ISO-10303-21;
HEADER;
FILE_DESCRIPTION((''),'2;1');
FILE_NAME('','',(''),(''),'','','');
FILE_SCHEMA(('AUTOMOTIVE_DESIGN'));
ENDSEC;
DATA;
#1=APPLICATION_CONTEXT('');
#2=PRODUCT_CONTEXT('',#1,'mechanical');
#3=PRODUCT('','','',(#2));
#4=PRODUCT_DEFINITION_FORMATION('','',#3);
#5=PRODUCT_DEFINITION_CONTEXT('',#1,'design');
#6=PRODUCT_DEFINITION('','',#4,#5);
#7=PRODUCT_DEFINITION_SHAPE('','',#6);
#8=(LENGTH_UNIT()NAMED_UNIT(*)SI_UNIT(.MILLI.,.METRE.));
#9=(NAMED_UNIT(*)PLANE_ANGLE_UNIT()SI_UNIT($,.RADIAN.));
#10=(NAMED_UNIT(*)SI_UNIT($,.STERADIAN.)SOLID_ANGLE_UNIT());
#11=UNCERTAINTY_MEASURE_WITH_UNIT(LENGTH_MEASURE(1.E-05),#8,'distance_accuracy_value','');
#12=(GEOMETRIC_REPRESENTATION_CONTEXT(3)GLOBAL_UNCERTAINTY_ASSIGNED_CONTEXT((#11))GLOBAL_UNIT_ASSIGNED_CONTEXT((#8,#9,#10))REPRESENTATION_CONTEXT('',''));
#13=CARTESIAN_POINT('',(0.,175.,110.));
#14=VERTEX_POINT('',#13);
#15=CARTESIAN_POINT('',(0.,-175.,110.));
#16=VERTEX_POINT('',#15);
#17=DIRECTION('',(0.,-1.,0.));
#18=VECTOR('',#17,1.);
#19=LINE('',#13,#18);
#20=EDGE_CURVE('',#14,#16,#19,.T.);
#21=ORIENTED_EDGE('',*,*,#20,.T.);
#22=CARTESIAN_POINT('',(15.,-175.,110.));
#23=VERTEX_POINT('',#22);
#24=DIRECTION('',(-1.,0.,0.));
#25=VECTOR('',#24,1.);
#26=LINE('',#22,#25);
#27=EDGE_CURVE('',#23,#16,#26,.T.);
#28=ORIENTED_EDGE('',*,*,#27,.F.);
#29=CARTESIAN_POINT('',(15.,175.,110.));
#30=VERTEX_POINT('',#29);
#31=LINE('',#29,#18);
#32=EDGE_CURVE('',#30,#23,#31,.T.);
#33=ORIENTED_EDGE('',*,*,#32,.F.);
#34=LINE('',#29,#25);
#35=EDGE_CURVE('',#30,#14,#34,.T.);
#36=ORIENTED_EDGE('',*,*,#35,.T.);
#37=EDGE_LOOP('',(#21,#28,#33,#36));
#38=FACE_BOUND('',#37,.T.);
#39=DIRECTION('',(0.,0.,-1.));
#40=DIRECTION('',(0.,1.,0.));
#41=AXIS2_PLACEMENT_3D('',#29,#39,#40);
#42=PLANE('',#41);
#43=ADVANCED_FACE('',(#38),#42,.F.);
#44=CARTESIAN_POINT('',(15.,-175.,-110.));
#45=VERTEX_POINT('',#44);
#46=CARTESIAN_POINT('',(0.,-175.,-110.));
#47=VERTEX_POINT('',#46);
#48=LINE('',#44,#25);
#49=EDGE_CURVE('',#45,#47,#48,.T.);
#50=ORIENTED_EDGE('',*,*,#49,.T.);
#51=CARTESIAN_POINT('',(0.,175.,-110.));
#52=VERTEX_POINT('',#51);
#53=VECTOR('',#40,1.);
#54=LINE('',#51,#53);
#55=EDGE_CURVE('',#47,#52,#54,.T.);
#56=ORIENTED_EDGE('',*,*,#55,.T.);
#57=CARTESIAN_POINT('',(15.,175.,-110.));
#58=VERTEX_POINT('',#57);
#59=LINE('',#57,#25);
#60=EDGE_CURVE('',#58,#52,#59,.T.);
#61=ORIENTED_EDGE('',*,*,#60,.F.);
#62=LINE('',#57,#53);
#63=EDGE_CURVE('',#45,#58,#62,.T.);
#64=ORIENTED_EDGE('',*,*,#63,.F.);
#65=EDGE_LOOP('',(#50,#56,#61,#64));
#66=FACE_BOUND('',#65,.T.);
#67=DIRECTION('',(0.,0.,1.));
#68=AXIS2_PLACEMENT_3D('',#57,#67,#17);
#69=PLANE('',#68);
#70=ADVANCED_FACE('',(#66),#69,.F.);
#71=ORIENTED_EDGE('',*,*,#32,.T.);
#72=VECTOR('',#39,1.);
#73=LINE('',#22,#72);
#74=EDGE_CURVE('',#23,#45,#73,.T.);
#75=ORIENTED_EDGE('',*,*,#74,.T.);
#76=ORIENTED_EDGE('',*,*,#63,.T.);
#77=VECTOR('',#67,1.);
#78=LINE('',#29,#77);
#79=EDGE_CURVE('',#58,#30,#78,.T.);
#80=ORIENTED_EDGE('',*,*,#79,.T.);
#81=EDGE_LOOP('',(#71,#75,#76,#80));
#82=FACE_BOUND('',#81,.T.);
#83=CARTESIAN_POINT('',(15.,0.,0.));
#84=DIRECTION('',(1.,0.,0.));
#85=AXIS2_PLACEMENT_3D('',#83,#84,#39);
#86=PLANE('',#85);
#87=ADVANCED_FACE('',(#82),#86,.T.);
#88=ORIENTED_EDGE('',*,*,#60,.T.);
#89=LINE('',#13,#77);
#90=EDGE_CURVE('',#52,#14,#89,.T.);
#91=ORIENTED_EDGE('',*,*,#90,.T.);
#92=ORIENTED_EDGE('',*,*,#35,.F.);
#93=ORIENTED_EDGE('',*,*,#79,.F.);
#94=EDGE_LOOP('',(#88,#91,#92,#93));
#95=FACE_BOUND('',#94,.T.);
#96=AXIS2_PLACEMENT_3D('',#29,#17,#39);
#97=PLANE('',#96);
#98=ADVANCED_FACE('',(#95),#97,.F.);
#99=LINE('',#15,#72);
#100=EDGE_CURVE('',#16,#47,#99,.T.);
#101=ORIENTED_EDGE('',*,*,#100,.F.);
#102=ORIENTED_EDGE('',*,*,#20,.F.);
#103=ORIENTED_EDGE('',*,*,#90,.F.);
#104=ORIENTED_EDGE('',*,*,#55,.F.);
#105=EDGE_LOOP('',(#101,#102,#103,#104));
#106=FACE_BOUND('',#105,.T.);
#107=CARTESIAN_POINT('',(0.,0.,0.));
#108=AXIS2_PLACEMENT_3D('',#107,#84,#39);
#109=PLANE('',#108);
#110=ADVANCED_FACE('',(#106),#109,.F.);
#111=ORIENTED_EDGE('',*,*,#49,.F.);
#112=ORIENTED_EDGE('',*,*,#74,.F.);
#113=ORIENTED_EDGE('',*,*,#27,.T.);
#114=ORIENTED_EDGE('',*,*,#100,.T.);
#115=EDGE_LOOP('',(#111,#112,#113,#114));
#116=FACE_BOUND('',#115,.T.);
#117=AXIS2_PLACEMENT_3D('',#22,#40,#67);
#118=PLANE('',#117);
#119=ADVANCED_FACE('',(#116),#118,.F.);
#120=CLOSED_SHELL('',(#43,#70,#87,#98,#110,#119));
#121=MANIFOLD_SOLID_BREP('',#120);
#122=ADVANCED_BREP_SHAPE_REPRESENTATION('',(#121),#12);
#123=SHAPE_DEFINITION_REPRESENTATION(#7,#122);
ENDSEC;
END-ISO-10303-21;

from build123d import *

# Parameters (mm, degrees)
ESQUISSE1_W        = 220
ESQUISSE1_H        = 350
BOSS_EXTRU_1_DEPTH = 15


with BuildPart() as part:
    # Esquisse1 → Boss.-Extru.1 (new body)
    with BuildSketch(Plane(origin=(0, 0, 0), x_dir=(0, 0, -1), z_dir=(1, 0, 0))):
        Rectangle(ESQUISSE1_W, ESQUISSE1_H)
    extrude(amount=BOSS_EXTRU_1_DEPTH)


solid = part.part
